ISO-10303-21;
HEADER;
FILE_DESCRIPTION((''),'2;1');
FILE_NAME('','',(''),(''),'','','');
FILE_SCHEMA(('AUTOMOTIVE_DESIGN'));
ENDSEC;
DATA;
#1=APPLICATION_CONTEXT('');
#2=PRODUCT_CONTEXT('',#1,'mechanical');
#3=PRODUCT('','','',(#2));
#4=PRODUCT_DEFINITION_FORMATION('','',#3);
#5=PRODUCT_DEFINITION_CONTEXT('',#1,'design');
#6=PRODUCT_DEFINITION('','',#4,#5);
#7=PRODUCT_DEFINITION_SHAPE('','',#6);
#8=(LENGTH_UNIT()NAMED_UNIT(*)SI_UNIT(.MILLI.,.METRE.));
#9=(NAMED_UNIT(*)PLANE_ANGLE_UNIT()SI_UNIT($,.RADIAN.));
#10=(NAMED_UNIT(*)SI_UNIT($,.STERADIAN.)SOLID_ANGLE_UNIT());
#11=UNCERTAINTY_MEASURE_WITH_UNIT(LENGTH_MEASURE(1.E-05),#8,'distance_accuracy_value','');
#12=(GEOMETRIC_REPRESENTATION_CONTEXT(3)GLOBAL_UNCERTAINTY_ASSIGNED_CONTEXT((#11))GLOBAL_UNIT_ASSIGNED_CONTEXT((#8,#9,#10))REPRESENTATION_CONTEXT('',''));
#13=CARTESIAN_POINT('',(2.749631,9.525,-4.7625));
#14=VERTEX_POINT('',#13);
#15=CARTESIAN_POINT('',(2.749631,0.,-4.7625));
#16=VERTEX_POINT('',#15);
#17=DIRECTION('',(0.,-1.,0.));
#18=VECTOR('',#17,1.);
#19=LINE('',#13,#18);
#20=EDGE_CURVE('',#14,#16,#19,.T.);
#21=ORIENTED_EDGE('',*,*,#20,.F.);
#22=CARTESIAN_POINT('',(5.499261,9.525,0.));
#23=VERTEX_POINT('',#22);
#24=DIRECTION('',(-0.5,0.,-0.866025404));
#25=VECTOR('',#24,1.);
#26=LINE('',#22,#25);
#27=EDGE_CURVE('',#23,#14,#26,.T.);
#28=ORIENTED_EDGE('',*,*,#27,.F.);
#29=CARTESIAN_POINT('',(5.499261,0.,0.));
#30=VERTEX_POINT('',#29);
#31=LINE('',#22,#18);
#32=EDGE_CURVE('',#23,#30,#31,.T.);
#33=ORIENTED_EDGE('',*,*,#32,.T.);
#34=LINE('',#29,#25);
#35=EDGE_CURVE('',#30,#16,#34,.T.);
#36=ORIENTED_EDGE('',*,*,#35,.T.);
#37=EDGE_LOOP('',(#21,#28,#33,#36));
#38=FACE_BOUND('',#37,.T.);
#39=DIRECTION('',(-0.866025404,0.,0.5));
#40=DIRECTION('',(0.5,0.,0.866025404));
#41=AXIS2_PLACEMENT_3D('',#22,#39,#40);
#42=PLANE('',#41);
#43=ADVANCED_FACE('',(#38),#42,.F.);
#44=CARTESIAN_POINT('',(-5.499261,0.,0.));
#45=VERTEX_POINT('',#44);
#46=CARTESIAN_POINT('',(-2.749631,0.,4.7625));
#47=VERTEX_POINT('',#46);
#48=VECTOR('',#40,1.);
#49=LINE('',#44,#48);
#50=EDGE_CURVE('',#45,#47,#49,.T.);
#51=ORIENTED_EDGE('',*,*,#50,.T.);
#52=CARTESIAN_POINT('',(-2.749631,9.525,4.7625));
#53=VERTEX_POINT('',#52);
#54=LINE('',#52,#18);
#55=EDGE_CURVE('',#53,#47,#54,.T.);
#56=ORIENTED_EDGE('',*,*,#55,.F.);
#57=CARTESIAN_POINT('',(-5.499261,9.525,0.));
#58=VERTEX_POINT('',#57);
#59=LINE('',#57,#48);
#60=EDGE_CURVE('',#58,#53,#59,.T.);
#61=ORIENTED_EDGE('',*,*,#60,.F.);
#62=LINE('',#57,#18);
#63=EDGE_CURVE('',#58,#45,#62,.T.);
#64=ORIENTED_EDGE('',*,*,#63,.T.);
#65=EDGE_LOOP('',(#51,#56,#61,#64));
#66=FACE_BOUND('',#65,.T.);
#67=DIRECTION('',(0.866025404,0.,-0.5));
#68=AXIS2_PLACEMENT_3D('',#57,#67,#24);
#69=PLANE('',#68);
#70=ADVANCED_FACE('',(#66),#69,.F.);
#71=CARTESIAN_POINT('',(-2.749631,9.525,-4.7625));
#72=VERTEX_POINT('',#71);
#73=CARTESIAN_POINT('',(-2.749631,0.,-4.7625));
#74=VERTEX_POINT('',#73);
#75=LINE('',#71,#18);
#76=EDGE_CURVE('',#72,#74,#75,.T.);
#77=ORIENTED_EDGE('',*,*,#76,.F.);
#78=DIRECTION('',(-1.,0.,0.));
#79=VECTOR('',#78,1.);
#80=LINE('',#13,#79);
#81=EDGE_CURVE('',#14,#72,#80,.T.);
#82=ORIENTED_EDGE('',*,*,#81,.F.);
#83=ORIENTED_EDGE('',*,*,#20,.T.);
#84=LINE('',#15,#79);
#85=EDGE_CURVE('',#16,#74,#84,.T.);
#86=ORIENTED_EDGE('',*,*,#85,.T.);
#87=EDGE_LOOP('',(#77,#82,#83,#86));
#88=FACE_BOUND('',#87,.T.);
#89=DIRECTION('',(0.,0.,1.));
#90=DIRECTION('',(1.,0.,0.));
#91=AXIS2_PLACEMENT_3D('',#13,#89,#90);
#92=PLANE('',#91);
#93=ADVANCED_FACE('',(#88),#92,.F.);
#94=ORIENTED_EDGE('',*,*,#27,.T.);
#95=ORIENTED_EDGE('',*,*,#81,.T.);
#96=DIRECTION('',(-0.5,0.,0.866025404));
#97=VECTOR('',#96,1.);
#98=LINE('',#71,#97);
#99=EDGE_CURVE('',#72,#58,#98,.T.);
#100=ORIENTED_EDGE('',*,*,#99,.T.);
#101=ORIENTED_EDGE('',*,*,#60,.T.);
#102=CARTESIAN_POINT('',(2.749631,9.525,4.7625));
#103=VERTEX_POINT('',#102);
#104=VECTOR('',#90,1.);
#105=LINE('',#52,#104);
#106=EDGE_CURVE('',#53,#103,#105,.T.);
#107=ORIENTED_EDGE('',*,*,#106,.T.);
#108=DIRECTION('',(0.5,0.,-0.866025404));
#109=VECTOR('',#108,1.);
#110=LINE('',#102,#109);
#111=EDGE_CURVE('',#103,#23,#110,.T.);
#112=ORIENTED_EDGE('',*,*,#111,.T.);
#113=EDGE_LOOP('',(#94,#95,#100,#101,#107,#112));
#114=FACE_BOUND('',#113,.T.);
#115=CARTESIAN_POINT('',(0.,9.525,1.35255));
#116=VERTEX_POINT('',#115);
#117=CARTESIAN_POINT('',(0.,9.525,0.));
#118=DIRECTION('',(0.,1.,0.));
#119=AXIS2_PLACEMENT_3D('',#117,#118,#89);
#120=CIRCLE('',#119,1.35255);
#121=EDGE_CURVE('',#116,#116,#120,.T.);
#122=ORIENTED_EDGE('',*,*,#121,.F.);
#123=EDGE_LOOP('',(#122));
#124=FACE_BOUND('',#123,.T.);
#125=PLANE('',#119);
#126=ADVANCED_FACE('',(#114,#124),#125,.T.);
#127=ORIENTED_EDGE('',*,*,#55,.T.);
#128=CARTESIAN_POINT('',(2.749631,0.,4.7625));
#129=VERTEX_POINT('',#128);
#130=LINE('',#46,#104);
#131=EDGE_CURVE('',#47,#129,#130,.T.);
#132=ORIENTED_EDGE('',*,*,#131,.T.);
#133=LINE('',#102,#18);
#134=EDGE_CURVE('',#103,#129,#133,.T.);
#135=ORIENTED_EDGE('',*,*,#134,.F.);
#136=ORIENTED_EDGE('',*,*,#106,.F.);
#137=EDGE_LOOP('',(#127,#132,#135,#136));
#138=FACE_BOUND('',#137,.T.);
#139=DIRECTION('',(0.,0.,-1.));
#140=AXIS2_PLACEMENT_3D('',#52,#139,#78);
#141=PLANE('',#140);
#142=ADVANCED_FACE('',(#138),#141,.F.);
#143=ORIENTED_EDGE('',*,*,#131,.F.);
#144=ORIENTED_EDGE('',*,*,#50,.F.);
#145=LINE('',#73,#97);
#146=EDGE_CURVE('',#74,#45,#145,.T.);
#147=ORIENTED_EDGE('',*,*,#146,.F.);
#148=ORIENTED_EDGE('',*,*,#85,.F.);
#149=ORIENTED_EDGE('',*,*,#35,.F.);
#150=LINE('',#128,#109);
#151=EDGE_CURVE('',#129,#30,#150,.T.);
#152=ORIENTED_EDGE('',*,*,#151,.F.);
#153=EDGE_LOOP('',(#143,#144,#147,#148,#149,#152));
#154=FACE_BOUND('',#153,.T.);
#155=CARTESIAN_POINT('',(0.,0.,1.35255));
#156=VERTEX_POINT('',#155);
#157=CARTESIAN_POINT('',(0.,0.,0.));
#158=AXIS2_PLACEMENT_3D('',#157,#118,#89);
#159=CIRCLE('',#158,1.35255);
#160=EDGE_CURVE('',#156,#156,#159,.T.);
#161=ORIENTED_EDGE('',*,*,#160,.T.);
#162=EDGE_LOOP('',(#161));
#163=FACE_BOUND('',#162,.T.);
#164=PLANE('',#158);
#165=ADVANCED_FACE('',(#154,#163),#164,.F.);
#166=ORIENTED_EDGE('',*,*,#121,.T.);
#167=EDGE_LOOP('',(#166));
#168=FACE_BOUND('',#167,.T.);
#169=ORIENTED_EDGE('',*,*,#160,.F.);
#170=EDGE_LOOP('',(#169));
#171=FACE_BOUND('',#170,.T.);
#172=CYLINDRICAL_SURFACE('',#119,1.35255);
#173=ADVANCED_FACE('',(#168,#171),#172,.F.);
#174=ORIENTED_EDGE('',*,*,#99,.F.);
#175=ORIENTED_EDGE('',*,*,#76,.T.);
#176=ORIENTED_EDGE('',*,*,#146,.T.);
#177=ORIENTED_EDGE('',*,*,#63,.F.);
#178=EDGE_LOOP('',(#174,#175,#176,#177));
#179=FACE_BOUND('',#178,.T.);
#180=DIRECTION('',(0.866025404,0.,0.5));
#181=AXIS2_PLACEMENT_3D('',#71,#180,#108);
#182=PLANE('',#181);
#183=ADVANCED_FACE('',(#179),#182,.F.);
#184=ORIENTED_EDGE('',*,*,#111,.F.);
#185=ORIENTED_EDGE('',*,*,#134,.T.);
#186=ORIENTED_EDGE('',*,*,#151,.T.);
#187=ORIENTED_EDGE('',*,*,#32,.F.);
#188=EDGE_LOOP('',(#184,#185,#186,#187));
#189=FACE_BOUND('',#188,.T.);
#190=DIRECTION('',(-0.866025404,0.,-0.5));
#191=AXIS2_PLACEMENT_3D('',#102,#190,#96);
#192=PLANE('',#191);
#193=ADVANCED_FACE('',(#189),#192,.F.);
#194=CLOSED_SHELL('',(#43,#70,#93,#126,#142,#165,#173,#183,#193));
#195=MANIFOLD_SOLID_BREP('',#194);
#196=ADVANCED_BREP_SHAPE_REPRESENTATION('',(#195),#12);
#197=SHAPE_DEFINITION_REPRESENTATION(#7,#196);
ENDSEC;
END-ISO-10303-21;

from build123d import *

# Parameters (mm, degrees)
BOSS_EXTRUDE1_DEPTH   = 9.525
F_6_32_TAPPED_HOLE1_D = 2.7051


with BuildPart() as part:
    # Sketch1 → Boss-Extrude1 (new body)
    with BuildSketch(Plane(origin=(0, 0, 0), x_dir=(1, 0, 0), z_dir=(0, 1, 0))):
        Polygon((5.499261314, 0), (2.749630657, 4.7625), (-2.749630657, 4.7625), (-5.499261314, 0), (-2.749630657, -4.7625), (2.749630657, -4.7625), align=None)
    extrude(amount=BOSS_EXTRUDE1_DEPTH)

    # #6-32 Tapped Hole1 (through all)
    with Locations(Plane(origin=(0, 9.525, 0), x_dir=(1, 0, 0), z_dir=(0, 1, 0))):
        with Locations((0, 0)):
            Hole(F_6_32_TAPPED_HOLE1_D / 2)


solid = part.part
